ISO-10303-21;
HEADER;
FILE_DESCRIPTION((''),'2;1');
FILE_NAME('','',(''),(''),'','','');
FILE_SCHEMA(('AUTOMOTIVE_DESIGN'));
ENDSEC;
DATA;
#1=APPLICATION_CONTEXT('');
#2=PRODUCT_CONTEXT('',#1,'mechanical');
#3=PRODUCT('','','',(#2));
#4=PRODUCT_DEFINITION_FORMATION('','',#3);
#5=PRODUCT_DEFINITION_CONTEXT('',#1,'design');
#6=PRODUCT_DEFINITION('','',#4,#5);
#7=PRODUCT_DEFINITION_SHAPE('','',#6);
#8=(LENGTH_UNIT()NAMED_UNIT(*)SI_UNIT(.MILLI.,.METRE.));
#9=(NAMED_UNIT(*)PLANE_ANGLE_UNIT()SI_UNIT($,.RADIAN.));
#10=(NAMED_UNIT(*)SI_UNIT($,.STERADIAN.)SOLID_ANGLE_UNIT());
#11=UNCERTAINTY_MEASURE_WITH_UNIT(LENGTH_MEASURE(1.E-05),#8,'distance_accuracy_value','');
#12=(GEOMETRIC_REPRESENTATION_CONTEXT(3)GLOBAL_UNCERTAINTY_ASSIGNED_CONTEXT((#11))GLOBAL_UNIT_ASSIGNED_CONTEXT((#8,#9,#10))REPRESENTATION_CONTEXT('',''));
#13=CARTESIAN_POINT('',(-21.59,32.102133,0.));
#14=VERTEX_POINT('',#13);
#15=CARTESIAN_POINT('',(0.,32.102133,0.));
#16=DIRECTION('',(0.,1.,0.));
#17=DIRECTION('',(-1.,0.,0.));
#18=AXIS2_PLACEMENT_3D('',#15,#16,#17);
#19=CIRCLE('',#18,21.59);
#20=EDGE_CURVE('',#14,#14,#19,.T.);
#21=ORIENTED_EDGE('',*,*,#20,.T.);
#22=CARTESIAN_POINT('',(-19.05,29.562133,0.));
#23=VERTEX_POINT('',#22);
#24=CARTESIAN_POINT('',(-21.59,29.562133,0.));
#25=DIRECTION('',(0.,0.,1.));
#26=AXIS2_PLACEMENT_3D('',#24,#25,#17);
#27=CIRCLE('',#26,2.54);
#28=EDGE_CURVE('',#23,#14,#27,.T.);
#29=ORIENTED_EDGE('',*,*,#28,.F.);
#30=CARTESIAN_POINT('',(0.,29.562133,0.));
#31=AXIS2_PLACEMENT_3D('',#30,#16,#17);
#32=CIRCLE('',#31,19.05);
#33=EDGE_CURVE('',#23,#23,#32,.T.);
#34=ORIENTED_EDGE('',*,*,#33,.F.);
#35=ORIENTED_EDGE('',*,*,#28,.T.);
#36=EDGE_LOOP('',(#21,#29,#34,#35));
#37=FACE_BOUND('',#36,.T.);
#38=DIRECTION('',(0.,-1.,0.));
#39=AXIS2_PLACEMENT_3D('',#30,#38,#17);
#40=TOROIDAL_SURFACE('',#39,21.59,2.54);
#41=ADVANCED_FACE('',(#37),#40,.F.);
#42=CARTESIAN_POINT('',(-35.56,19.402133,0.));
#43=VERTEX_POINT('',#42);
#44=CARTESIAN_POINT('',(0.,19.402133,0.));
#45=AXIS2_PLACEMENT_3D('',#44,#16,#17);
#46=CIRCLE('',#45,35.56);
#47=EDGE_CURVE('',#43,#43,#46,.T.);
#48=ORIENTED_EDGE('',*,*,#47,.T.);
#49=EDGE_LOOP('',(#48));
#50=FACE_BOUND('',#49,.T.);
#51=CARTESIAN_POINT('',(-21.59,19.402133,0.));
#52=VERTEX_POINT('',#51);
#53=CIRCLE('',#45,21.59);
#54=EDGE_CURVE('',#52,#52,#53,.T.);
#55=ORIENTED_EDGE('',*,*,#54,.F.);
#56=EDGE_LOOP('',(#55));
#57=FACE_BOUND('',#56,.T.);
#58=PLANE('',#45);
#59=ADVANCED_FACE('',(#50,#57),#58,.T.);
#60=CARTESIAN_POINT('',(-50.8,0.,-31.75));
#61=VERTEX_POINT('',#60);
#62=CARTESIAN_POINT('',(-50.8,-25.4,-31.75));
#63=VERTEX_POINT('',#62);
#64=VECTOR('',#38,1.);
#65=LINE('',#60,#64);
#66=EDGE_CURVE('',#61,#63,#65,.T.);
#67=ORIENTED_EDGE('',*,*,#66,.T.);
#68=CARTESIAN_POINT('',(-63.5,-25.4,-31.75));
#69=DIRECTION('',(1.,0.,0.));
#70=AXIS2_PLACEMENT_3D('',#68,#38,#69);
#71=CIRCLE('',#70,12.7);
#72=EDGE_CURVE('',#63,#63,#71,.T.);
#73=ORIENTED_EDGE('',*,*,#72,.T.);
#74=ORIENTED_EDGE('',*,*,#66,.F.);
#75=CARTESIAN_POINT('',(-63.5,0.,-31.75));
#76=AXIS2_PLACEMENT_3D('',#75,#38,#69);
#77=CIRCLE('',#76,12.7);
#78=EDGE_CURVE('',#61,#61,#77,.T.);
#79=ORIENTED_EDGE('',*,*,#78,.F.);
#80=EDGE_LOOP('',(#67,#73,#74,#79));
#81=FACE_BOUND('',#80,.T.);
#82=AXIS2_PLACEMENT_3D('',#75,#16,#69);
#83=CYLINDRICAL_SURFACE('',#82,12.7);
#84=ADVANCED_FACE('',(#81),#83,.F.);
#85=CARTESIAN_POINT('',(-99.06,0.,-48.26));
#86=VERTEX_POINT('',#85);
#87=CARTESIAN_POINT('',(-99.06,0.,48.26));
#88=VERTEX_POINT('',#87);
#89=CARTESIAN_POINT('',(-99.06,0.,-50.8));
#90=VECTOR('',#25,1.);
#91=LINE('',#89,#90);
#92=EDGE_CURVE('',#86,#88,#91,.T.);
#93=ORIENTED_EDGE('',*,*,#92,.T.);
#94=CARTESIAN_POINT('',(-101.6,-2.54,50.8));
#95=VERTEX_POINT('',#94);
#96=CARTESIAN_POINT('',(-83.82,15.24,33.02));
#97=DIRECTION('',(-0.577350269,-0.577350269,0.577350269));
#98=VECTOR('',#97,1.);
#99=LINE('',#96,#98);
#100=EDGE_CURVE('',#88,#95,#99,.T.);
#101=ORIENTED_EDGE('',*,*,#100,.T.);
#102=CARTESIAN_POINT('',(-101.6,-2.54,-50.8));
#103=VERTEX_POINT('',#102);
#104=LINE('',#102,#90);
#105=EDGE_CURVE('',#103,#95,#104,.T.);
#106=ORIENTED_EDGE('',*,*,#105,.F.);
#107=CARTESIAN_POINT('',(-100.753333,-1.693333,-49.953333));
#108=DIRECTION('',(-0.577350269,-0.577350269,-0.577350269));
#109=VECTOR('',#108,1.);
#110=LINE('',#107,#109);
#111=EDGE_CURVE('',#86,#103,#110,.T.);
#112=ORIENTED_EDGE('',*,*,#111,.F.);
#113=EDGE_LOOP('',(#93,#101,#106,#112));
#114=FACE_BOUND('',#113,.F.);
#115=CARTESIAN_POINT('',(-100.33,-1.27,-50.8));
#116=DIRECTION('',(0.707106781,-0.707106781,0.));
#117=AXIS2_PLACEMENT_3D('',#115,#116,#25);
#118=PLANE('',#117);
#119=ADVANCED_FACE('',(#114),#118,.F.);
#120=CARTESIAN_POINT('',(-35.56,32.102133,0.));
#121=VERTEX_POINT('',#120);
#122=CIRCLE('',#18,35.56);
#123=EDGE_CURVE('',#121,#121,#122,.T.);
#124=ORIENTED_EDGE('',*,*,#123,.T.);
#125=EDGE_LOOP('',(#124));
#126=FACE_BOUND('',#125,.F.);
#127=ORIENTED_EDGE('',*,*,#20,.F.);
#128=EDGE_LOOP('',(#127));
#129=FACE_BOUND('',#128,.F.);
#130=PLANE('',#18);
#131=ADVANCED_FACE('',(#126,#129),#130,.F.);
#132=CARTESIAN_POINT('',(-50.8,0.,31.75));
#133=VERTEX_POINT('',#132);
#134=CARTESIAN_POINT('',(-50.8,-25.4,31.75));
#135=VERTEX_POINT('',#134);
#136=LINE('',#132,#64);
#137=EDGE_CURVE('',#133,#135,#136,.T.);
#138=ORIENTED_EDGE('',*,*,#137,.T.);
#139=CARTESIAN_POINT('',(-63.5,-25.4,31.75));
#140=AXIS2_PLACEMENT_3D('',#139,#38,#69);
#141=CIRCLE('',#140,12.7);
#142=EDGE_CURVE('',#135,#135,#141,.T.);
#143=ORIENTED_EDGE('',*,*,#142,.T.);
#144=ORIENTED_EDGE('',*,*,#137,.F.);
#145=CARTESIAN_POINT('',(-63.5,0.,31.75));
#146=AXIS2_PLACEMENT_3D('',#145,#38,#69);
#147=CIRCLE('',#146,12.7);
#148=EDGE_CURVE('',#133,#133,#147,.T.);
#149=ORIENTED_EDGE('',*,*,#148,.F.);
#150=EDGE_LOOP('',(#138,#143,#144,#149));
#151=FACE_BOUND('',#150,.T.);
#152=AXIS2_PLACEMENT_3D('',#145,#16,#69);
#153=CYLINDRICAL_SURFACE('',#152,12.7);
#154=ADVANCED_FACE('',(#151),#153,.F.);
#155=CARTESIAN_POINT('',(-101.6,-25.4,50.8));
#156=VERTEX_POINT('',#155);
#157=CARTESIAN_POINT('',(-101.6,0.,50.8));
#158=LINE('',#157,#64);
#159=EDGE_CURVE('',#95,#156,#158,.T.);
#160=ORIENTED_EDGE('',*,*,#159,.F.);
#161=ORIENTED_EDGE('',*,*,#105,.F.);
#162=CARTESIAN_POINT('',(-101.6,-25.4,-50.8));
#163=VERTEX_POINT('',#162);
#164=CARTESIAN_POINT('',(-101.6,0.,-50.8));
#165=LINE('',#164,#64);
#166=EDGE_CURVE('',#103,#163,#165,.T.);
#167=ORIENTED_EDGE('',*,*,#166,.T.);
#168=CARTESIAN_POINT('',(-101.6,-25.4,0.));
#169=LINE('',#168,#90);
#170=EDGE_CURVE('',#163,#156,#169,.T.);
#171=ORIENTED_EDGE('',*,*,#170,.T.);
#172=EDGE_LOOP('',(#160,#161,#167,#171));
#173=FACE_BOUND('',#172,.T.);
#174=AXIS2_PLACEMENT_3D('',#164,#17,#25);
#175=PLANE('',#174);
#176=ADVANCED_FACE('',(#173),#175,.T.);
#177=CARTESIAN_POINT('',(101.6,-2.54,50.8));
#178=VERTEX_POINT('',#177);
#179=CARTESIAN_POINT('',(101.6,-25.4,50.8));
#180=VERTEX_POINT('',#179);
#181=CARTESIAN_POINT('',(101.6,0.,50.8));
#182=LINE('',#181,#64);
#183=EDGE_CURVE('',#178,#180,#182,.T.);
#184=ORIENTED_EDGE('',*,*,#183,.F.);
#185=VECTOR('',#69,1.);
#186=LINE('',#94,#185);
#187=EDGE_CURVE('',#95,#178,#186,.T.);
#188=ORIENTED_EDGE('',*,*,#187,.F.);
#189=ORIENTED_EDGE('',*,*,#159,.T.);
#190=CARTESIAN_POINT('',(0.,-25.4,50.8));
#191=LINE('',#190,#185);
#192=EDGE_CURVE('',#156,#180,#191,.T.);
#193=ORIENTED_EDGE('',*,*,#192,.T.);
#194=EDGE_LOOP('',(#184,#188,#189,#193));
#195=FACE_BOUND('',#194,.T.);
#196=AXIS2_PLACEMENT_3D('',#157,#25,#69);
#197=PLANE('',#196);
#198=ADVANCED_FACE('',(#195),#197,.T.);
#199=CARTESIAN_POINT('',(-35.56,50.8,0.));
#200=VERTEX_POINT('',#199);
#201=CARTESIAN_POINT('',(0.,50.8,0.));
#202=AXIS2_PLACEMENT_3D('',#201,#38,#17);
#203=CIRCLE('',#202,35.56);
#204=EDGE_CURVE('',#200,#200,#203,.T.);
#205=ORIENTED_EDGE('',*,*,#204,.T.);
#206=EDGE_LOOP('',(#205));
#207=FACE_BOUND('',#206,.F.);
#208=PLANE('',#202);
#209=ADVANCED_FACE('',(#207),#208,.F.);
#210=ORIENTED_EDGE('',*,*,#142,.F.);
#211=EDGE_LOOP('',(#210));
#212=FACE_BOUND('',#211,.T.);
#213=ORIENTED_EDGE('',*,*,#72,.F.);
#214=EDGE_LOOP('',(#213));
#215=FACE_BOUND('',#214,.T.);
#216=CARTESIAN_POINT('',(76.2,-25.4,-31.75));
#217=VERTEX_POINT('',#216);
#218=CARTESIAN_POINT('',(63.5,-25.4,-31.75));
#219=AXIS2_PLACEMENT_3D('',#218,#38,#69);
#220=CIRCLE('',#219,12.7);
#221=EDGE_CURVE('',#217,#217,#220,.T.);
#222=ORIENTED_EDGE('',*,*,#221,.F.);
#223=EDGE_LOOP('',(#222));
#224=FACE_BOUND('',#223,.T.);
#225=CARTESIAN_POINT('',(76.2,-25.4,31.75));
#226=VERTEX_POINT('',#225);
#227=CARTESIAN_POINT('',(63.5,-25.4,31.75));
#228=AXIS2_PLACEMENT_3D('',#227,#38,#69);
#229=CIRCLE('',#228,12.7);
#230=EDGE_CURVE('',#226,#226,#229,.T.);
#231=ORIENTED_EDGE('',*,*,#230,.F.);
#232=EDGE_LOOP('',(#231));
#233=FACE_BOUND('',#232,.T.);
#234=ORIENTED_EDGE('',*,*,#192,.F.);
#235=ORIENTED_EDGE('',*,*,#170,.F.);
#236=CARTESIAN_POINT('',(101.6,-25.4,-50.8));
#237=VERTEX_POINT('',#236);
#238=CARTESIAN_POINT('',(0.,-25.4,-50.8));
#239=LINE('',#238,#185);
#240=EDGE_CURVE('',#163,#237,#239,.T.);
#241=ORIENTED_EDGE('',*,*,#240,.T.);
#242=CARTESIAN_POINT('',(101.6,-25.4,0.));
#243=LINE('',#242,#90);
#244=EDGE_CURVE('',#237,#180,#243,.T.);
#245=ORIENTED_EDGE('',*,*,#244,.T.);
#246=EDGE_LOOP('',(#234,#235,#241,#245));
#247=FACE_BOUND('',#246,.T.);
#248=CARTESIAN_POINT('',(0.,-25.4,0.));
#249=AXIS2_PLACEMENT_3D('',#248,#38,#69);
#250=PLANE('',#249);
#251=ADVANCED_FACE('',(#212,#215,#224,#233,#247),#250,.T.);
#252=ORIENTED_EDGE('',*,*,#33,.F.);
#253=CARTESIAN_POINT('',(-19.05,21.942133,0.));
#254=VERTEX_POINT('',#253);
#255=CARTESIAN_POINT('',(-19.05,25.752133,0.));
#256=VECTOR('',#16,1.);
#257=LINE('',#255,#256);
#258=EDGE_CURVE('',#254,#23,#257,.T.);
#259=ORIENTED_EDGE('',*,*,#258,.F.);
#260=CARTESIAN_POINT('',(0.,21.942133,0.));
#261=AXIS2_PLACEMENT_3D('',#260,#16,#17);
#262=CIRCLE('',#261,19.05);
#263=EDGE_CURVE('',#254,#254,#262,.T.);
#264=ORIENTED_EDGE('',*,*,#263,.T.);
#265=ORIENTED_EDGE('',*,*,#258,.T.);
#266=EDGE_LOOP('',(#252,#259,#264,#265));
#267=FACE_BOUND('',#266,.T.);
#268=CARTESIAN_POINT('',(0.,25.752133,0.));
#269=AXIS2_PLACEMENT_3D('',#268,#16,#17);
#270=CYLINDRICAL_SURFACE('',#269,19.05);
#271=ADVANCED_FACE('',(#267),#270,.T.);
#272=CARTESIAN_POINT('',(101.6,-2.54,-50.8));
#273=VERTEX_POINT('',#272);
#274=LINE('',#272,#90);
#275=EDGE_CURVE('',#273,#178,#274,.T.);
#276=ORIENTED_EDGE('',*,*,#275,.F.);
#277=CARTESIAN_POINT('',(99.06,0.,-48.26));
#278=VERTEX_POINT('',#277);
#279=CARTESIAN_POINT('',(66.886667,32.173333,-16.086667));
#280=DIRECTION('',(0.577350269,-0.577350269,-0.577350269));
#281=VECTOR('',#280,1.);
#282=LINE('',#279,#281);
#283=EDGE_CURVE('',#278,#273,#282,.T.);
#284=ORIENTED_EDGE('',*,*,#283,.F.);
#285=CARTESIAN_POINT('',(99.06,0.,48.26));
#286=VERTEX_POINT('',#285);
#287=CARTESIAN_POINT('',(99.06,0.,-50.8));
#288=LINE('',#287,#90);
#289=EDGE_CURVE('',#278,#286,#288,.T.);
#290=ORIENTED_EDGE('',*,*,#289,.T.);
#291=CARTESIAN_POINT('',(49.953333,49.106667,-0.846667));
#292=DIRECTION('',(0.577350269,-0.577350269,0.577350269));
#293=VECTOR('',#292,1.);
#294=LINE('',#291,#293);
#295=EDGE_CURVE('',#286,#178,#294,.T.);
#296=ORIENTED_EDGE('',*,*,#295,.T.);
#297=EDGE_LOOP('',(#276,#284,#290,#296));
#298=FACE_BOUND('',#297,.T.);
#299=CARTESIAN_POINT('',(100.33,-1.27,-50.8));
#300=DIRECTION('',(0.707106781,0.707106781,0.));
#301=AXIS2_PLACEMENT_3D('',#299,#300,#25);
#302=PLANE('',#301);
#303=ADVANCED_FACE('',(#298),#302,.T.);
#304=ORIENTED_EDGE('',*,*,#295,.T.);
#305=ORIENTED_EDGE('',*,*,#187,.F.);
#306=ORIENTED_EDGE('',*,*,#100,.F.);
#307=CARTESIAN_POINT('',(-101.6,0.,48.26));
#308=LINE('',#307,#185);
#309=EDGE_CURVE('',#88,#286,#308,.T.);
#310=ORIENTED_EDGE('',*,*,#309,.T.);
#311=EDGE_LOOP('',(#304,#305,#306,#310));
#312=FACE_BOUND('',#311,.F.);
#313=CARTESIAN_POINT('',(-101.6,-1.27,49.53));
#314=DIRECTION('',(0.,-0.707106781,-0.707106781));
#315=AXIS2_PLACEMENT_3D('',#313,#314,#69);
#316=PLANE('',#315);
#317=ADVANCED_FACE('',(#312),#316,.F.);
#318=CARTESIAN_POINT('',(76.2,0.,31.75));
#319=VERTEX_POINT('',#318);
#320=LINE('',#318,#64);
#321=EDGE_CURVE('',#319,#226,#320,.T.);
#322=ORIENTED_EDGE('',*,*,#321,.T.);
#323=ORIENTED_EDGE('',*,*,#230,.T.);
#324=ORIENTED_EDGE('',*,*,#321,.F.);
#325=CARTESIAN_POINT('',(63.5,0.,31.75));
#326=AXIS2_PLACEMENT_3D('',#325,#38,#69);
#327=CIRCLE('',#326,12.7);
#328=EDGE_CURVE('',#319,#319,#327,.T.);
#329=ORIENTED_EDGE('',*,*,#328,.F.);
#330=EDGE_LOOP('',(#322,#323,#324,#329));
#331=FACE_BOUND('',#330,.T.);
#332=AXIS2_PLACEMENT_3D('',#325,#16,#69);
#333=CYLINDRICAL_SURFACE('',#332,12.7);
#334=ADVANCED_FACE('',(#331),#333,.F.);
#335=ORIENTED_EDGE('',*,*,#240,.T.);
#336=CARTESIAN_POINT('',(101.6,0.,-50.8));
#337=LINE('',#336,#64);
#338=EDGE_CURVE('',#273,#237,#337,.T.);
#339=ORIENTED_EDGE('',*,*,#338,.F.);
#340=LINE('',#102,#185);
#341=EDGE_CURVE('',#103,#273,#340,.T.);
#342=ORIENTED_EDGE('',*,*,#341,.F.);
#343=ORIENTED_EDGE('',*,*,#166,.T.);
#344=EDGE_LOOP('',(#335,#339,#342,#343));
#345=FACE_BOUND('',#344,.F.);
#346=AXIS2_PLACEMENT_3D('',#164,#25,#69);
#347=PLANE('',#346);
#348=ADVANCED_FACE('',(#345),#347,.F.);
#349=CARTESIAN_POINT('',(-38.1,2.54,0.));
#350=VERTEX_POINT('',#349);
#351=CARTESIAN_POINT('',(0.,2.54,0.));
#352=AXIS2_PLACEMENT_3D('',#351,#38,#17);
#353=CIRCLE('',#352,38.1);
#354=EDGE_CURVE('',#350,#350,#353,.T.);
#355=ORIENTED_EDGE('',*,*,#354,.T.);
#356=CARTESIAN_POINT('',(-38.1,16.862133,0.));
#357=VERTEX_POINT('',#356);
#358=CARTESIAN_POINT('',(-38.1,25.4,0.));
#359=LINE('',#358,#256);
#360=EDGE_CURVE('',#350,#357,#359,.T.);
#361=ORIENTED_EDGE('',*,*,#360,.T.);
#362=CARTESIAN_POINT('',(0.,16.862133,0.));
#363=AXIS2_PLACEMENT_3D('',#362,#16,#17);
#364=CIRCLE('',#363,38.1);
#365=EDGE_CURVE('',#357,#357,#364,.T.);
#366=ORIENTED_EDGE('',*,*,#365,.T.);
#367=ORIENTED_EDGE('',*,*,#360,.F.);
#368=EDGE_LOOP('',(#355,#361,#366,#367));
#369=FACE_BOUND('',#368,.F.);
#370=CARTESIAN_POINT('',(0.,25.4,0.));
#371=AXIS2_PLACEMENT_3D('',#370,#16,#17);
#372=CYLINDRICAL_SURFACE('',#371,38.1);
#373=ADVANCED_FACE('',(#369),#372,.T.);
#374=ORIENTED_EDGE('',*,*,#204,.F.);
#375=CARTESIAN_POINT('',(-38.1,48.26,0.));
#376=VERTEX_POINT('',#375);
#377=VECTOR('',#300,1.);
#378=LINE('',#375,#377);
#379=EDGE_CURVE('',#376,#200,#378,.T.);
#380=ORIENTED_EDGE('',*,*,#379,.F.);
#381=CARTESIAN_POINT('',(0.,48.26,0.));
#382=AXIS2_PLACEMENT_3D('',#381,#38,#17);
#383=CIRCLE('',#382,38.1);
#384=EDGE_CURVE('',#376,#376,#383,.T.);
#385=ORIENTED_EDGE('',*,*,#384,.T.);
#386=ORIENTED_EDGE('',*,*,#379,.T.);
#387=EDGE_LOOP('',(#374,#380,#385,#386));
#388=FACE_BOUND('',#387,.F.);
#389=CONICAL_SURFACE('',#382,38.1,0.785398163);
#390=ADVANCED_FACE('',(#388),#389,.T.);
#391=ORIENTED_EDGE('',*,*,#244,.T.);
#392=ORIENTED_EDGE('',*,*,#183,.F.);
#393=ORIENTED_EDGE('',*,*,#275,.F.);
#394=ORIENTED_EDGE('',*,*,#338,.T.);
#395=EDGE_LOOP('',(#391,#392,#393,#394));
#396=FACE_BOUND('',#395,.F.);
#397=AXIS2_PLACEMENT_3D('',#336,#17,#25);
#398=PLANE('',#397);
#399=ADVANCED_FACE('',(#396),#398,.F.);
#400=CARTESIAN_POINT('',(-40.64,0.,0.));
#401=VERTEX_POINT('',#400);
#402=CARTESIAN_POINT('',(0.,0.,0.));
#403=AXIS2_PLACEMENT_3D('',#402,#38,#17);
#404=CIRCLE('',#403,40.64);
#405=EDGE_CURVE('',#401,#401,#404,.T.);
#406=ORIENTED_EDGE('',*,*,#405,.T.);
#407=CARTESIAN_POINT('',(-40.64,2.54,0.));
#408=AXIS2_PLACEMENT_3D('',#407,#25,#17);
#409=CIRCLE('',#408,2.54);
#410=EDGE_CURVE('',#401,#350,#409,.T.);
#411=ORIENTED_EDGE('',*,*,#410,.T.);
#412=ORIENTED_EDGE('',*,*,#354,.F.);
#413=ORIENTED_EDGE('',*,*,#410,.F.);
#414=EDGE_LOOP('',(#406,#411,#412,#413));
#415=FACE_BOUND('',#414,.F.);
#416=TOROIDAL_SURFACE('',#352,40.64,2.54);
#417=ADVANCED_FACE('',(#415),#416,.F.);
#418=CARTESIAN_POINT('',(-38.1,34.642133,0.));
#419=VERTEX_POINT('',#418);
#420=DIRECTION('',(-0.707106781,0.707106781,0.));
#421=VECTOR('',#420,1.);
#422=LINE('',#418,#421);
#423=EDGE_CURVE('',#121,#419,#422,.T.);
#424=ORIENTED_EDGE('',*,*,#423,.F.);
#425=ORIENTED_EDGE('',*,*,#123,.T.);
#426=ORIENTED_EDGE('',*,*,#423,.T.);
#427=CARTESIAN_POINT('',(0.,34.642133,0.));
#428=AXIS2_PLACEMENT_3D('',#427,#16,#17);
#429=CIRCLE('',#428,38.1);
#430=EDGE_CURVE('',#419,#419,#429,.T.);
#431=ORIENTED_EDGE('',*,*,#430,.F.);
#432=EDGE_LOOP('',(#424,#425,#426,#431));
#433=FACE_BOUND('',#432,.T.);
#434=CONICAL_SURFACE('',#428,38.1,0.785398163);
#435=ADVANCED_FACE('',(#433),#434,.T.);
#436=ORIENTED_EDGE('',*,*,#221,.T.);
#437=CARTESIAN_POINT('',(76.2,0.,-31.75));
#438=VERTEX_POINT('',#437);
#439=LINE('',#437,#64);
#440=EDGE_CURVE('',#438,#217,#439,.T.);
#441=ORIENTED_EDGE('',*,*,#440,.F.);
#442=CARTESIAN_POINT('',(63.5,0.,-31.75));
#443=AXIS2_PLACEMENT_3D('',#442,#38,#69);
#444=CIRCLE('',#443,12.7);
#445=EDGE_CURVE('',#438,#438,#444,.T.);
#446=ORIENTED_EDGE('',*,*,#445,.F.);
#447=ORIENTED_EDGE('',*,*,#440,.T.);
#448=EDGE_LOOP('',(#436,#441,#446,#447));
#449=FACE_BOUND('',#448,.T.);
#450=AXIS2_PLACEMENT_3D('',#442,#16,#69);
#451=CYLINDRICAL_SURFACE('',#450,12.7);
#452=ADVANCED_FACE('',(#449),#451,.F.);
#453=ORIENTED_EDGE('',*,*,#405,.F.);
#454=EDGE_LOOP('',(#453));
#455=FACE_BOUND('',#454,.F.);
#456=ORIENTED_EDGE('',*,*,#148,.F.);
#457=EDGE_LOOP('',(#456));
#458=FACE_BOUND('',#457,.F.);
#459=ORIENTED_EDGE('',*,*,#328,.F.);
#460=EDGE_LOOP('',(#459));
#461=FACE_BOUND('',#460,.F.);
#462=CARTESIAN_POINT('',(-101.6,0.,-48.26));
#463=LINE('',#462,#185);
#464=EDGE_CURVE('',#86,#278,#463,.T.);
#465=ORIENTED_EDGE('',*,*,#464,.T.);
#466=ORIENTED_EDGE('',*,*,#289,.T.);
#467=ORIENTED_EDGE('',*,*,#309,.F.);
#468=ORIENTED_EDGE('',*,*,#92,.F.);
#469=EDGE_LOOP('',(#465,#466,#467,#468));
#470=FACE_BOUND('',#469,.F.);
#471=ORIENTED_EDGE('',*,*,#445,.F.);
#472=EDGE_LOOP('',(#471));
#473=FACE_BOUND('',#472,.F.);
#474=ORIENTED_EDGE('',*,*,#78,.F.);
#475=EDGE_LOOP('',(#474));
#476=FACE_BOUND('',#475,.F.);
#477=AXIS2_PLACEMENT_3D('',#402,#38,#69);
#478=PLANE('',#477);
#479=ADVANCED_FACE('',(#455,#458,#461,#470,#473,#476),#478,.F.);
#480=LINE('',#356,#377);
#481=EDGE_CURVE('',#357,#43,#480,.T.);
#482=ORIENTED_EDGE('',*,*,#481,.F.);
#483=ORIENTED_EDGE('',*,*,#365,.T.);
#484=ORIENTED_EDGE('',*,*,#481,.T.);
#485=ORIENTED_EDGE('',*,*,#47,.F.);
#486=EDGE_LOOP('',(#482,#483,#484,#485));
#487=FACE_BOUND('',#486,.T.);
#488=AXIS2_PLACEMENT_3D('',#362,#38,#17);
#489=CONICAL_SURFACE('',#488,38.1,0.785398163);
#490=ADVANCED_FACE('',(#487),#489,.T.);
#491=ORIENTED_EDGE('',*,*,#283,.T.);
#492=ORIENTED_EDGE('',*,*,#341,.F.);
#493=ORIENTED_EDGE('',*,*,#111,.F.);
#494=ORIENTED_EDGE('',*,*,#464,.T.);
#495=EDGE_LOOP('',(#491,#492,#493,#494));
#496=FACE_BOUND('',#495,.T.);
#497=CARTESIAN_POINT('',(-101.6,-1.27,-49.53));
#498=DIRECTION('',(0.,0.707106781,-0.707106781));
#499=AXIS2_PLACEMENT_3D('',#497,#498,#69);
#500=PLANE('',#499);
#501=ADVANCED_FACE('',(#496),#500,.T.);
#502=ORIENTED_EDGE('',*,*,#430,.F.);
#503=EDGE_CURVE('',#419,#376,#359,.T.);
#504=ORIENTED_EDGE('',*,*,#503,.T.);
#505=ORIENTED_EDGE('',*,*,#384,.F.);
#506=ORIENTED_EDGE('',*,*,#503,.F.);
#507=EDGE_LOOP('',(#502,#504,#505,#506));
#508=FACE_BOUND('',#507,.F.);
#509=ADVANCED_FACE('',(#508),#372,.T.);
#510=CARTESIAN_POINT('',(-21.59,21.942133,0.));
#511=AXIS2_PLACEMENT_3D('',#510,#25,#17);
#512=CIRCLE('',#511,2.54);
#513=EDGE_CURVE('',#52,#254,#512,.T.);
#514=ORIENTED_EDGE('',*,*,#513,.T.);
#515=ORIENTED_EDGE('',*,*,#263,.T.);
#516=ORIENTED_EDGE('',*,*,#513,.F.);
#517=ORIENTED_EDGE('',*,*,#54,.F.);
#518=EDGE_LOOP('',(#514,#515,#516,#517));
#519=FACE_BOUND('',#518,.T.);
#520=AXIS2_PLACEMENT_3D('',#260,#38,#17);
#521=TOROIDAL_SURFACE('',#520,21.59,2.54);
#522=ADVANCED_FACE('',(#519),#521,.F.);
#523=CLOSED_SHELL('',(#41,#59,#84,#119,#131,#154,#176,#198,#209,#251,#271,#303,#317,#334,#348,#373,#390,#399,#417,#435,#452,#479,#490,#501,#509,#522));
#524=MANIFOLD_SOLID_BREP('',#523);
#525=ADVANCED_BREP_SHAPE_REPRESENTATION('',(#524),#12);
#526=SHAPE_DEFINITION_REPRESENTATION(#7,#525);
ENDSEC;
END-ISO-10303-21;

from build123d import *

# Parameters (mm, degrees)
F0_W     = 203.2
F0_H     = 101.6
F1_DEPTH = 25.4
F2_R     = 12.7
F3_DEPTH = 25.4
F4_W     = 38.1
F4_H     = 50.8
F6_W     = 25.4
F6_H     = 12.7
F8_R     = 2.54
F9_SIZE  = 2.54


with BuildPart() as f1:
    # F0 (on Front) → F1 (new body)
    with BuildSketch(Plane.XZ):
        Rectangle(F0_W, F0_H)
    extrude(amount=F1_DEPTH)

    # F2 (on Front) → F3 (cut)
    with BuildSketch(Plane.XZ):
        with Locations((-63.5, 31.75)):
            Circle(F2_R)
        with Locations((-63.5, -31.75)):
            Circle(F2_R)
        with Locations((63.5, 31.75)):
            Circle(F2_R)
        with Locations((63.5, -31.75)):
            Circle(F2_R)
    extrude(amount=F3_DEPTH, mode=Mode.SUBTRACT)

    # F4 (on Top) → F5 (revolve)
    with BuildSketch(Plane.XY):
        with Locations((-19.05, 25.4)):
            Rectangle(F4_W, F4_H)
    revolve(axis=Axis((0, 25.4, 0), (0, -1, 0)))

    # F6 (on Top) → F7 (revolve, cut)
    with BuildSketch(Plane.XY):
        with Locations((-31.75, 25.7521334298)):
            Rectangle(F6_W, F6_H)
    revolve(axis=Axis((0, 67.0673400164, 0), (0, 1, 0)), mode=Mode.SUBTRACT)

    # F8
    f8_edges = [f1.edges().sort_by_distance(p)[0] for p in [
        (38.1, 0, 0),
        (19.05, 19.402133, 0),
        (19.05, 32.102133, 0),
    ]]
    fillet(f8_edges, radius=F8_R)

    # F9
    f9_edges = [f1.edges().sort_by_distance(p)[0] for p in [
        (38.1, 50.8, 0),
        (38.1, 32.102133, 0),
        (38.1, 19.402133, 0),
        (-101.6, 0, 0),
        (0, 0, -50.8),
        (0, 0, 50.8),
        (101.6, 0, 0),
    ]]
    chamfer(f9_edges, length=F9_SIZE)


solid = f1.part
